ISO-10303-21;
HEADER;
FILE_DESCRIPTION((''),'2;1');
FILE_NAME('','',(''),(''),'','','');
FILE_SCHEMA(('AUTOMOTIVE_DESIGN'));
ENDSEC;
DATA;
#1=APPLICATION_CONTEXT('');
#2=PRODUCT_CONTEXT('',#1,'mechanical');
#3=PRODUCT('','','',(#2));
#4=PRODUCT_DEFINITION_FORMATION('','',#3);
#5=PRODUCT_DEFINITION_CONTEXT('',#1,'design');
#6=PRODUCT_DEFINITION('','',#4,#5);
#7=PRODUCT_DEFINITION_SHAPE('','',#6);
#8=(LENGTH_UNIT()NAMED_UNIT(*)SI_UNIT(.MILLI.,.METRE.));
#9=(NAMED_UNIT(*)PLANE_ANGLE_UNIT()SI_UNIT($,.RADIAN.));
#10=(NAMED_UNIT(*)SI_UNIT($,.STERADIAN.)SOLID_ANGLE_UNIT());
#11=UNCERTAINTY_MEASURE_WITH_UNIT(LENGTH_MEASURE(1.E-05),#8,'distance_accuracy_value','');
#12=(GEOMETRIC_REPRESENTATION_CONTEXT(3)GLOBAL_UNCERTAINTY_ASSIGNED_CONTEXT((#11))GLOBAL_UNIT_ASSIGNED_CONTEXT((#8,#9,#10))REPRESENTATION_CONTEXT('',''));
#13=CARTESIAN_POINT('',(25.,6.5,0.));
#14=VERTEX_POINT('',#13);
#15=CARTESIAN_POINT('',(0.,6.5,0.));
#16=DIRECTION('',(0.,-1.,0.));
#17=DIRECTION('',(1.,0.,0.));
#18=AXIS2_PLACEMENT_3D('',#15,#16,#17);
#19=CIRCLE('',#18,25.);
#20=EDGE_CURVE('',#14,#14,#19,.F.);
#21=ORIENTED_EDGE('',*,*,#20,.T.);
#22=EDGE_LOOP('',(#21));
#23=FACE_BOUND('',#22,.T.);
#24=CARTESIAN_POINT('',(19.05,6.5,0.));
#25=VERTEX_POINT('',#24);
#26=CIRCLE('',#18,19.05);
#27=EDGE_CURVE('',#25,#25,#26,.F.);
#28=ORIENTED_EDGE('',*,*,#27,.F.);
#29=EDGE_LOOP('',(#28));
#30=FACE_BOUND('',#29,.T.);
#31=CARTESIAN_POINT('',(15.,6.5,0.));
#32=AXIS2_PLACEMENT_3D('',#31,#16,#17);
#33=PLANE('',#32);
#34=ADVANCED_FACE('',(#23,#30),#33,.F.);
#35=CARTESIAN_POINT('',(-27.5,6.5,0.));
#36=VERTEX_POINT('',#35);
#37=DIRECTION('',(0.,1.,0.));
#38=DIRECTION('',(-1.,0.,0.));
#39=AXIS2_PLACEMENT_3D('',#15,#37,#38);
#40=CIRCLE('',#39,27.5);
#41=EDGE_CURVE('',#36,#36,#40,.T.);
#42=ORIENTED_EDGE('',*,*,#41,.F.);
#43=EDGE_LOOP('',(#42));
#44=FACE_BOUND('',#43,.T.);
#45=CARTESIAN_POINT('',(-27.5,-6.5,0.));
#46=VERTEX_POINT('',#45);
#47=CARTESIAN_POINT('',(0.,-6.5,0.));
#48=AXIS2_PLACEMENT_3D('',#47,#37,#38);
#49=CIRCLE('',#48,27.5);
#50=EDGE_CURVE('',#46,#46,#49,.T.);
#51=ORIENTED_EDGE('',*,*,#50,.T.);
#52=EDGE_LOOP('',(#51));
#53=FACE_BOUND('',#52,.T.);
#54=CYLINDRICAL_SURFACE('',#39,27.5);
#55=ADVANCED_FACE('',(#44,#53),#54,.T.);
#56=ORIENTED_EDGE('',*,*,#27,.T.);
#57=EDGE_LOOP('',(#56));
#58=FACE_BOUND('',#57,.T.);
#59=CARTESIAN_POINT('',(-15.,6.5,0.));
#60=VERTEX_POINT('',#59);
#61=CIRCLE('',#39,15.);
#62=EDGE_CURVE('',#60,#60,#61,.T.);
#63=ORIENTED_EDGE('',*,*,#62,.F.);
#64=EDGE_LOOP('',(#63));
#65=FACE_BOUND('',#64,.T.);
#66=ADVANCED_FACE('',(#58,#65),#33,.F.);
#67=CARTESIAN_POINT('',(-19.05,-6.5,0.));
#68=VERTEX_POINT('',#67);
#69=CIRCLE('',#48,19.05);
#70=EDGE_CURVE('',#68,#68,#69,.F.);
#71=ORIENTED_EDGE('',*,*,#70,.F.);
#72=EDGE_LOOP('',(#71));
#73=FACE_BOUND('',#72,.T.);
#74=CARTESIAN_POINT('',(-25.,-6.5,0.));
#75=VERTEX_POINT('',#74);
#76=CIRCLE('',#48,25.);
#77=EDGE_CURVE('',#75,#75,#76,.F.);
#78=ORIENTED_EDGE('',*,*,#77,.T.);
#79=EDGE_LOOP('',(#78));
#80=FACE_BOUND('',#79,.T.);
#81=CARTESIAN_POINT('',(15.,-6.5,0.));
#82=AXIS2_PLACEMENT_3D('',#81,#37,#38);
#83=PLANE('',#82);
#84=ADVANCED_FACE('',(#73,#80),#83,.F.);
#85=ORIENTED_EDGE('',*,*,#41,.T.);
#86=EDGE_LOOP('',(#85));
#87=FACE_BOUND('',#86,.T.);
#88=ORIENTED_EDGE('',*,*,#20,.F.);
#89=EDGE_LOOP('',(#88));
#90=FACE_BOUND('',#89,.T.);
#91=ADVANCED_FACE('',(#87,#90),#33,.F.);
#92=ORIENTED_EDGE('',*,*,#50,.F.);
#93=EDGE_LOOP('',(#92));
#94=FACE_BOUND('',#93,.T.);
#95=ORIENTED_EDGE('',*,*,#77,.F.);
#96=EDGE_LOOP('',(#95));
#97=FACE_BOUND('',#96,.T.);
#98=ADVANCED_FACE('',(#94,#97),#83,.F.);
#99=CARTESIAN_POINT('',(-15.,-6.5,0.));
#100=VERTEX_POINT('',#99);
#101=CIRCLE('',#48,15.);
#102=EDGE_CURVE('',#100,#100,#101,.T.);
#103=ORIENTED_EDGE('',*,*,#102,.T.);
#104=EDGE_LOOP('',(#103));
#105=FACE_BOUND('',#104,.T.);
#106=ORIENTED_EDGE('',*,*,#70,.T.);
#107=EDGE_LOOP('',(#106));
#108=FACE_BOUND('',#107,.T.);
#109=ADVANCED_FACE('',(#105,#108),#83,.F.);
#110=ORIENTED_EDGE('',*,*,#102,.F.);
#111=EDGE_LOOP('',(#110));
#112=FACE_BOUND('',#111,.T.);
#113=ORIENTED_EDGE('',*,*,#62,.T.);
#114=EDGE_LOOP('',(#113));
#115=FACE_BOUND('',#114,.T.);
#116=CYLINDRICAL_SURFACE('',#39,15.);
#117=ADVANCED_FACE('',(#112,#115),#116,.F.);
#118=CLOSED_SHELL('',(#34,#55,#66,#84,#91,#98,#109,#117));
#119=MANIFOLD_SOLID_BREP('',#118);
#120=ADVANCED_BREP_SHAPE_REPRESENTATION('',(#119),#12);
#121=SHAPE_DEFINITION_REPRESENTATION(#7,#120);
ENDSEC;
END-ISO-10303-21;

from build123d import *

# Parameters (mm, degrees)
SKETCH1_W = 12.5
SKETCH1_H = 13


with BuildPart() as part:
    # Sketch1 → Revolve1 (revolve)
    with BuildSketch(Plane.XY, mode=Mode.PRIVATE) as revolve1_sk:
        with Locations((21.25, 0)):
            Rectangle(SKETCH1_W, SKETCH1_H)
    revolve(revolve1_sk.sketch.rotate(Axis((0, 6.5, 0), (0, -1, 0)), 180), axis=Axis((0, 6.5, 0), (0, -1, 0)))


solid = part.part
